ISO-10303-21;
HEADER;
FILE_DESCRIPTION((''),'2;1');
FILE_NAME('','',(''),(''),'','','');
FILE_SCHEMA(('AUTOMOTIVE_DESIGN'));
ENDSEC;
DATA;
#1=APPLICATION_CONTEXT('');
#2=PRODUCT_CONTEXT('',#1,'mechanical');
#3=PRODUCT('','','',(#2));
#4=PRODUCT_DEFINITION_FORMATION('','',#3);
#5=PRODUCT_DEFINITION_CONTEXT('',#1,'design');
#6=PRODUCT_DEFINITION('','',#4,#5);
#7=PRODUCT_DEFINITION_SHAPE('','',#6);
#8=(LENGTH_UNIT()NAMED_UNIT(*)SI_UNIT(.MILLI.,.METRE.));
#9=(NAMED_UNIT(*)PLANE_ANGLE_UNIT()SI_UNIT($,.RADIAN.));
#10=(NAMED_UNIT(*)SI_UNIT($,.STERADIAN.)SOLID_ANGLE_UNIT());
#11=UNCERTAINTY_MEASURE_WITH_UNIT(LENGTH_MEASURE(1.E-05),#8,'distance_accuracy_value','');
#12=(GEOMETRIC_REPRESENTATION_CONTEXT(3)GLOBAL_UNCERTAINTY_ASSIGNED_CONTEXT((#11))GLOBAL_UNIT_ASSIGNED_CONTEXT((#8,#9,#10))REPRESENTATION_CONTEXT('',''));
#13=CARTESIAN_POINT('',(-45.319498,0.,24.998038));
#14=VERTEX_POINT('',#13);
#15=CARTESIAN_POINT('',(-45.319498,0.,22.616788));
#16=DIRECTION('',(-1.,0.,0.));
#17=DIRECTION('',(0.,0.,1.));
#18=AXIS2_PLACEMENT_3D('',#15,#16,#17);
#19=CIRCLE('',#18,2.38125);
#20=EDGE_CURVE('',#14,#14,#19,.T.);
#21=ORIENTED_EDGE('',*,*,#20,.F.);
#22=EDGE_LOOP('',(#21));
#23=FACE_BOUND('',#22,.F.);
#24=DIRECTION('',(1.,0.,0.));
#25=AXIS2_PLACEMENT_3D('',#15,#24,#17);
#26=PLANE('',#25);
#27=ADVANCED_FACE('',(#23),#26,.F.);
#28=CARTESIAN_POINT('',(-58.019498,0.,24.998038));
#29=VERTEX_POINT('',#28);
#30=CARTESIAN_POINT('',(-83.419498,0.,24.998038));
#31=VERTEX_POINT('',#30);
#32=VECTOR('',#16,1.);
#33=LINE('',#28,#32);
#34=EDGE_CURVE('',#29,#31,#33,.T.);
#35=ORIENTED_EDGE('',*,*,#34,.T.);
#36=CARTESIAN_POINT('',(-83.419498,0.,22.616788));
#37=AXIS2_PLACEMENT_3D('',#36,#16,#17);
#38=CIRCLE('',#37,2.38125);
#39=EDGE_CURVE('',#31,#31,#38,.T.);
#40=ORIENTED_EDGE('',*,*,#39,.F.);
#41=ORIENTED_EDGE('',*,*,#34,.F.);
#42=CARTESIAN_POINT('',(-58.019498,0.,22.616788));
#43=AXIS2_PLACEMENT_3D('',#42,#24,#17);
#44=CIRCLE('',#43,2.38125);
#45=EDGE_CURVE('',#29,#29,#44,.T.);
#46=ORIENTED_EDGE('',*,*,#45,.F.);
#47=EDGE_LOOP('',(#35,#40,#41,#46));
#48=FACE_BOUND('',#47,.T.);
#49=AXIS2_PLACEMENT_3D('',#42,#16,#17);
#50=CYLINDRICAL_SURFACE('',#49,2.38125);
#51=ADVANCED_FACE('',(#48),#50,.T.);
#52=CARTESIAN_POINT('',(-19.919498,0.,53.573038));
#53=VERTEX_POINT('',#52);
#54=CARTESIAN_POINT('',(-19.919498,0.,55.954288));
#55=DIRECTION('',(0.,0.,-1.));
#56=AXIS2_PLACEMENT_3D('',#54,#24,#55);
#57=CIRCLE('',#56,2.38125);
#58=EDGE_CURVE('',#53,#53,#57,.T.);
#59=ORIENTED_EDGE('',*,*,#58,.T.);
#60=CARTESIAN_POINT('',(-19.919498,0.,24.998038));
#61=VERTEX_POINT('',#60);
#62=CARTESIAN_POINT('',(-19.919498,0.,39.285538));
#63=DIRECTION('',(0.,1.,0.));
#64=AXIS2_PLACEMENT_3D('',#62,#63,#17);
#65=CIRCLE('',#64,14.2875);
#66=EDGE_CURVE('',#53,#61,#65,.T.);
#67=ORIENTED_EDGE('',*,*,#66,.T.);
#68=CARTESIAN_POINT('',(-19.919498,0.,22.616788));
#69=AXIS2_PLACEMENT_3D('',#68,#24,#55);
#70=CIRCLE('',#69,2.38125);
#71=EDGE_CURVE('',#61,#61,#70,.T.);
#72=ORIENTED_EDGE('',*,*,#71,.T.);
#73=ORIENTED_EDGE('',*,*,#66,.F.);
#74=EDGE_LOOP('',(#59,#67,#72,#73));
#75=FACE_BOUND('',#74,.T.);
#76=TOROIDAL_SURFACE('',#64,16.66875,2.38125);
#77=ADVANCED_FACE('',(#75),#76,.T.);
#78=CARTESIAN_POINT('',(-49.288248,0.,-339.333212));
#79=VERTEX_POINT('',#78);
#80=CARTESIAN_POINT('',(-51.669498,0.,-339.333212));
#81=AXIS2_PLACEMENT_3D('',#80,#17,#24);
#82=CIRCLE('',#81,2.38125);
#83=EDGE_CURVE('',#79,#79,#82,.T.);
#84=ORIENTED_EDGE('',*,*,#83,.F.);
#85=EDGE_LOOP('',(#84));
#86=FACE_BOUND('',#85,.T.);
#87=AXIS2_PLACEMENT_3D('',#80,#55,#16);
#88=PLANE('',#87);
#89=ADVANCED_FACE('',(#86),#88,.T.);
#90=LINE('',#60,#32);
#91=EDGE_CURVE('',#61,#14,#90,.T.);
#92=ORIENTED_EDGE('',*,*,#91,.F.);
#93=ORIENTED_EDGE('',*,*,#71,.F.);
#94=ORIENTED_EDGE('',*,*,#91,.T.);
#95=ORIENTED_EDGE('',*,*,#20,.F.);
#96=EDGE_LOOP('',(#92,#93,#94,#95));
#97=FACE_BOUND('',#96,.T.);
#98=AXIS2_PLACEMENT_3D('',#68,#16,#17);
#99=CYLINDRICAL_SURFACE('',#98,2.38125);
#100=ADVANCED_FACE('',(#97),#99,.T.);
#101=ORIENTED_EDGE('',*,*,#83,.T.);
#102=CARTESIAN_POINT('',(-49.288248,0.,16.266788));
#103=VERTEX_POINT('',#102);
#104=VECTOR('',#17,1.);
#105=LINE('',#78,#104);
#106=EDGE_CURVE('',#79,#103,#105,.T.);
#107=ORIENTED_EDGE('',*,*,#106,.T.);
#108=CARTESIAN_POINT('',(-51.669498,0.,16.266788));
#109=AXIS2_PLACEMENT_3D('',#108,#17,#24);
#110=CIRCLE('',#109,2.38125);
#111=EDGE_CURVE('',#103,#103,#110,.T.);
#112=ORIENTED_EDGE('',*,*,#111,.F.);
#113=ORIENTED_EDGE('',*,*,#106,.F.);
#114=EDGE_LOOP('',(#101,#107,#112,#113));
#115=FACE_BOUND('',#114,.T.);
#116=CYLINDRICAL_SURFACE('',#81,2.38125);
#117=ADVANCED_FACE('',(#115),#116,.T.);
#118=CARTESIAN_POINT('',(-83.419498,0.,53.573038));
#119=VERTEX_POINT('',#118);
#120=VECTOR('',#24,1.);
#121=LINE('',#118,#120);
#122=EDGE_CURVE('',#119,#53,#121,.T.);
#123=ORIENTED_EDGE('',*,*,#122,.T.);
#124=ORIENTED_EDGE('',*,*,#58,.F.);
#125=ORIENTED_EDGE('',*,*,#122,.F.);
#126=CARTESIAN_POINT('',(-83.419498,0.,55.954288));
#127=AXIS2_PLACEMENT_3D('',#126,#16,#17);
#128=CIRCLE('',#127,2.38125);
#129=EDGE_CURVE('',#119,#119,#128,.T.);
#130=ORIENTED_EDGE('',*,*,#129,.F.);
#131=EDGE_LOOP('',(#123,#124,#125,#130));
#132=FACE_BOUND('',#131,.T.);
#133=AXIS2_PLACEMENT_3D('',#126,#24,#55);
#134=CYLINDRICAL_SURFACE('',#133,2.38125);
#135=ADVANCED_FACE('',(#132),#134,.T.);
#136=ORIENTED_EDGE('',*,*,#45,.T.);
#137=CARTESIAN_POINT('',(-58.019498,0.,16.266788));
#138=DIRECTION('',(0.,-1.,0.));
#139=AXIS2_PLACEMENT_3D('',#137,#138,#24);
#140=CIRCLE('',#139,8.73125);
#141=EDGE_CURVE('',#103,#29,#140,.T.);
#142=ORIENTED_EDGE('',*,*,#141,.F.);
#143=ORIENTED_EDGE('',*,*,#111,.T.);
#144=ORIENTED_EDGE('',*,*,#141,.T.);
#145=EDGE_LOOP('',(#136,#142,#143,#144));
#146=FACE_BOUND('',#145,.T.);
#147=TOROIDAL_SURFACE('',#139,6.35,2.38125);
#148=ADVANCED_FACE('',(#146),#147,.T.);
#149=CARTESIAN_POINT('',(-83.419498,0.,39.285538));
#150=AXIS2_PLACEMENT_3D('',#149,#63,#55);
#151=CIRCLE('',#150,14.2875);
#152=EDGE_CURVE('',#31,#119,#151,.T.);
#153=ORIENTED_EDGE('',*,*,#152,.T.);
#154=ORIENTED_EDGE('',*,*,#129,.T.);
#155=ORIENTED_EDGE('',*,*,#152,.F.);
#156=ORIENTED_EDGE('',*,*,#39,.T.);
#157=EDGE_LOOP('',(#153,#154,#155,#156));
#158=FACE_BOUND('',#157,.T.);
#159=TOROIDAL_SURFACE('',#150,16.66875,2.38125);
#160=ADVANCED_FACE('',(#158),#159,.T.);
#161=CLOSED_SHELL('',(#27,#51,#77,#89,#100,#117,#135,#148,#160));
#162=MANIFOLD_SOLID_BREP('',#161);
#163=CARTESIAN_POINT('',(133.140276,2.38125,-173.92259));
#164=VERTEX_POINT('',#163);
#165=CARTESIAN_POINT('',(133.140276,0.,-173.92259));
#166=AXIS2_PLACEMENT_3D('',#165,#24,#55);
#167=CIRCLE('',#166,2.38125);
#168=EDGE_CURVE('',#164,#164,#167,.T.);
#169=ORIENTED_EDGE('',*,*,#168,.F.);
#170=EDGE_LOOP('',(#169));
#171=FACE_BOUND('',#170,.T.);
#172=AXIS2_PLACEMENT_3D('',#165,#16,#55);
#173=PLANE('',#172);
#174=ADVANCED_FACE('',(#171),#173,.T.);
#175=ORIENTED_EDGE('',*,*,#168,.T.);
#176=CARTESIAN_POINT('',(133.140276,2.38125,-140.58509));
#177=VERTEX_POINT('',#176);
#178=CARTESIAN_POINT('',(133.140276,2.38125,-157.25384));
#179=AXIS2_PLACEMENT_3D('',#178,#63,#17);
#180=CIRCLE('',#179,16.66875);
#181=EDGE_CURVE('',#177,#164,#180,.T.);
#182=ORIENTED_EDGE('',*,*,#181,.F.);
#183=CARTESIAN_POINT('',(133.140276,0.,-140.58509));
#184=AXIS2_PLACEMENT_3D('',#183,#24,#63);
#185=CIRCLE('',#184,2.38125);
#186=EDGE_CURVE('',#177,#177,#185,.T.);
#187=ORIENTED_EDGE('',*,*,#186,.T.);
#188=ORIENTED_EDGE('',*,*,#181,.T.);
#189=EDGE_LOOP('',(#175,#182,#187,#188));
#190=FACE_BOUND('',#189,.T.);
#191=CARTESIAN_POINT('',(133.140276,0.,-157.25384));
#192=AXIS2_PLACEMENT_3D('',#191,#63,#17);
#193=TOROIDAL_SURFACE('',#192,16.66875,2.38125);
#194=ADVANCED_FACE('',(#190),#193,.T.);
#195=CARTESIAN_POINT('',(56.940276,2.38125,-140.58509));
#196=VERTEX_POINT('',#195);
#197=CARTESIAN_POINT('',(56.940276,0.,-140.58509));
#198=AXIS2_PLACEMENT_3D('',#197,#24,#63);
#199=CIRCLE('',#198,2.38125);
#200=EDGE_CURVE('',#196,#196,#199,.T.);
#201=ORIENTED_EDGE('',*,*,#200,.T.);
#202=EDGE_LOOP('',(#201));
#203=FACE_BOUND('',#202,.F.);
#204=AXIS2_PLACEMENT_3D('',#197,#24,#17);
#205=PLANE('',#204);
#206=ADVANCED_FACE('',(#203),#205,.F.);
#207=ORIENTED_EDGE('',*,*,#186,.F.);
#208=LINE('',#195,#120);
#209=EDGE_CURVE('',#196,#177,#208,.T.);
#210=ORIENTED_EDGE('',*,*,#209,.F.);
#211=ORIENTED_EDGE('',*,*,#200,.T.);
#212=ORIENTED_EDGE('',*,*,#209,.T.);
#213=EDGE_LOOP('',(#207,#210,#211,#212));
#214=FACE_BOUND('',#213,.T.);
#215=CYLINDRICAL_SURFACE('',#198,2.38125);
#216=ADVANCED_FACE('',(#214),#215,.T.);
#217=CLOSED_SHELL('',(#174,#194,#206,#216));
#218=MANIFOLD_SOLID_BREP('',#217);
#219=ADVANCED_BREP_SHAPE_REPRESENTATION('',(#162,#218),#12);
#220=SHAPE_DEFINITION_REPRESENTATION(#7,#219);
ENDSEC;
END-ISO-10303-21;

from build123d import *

# Parameters (mm, degrees)
F2_R = 2.38125
F5_R = 2.38125


with BuildPart() as f3:
    # F3: sweep along a path in F0
    with BuildLine(Plane.XZ) as f3_path:
        Line((-51.6694978738, -339.333212393), (-51.6694978738, 16.266787607))
        ThreePointArc((-51.6694978738, 16.266787607), (-53.5293698133, 20.7569156676), (-58.0194978738, 22.616787607))
        Line((-58.0194978738, 22.616787607), (-83.4194978738, 22.616787607))
        ThreePointArc((-83.4194978738, 22.616787607), (-100.0882478738, 39.285537607), (-83.4194978738, 55.954287607))
        Line((-83.4194978738, 55.954287607), (-19.9194978738, 55.954287607))
        ThreePointArc((-19.9194978738, 55.954287607), (-3.2507478738, 39.285537607), (-19.9194978738, 22.616787607))
        Line((-19.9194978738, 22.616787607), (-45.3194978738, 22.616787607))
    # F2 (on line) → F3 (sweep)
    with BuildSketch(Plane(origin=(0, 0, -339.333212393), x_dir=(1, 0, 0), z_dir=(0, 0, -1))):
        with Locations((-51.6694978738, 0)):
            Circle(F2_R)
    sweep(path=f3_path.line)


with BuildPart() as f6:
    # F6: sweep along a path in F0
    with BuildLine(Plane.XZ) as f6_path:
        Line((56.9402764933, -140.5850901604), (133.1402764933, -140.5850901604))
        ThreePointArc((133.1402764933, -140.5850901604), (149.8090264933, -157.2538401604), (133.1402764933, -173.9225901604))
    # F5 (on line) → F6 (sweep)
    with BuildSketch(Plane.YZ.offset(56.9402764933)):
        with Locations((0, -140.5850901604)):
            Circle(F5_R)
    sweep(path=f6_path.line)


solid = Compound([f3.part, f6.part])
